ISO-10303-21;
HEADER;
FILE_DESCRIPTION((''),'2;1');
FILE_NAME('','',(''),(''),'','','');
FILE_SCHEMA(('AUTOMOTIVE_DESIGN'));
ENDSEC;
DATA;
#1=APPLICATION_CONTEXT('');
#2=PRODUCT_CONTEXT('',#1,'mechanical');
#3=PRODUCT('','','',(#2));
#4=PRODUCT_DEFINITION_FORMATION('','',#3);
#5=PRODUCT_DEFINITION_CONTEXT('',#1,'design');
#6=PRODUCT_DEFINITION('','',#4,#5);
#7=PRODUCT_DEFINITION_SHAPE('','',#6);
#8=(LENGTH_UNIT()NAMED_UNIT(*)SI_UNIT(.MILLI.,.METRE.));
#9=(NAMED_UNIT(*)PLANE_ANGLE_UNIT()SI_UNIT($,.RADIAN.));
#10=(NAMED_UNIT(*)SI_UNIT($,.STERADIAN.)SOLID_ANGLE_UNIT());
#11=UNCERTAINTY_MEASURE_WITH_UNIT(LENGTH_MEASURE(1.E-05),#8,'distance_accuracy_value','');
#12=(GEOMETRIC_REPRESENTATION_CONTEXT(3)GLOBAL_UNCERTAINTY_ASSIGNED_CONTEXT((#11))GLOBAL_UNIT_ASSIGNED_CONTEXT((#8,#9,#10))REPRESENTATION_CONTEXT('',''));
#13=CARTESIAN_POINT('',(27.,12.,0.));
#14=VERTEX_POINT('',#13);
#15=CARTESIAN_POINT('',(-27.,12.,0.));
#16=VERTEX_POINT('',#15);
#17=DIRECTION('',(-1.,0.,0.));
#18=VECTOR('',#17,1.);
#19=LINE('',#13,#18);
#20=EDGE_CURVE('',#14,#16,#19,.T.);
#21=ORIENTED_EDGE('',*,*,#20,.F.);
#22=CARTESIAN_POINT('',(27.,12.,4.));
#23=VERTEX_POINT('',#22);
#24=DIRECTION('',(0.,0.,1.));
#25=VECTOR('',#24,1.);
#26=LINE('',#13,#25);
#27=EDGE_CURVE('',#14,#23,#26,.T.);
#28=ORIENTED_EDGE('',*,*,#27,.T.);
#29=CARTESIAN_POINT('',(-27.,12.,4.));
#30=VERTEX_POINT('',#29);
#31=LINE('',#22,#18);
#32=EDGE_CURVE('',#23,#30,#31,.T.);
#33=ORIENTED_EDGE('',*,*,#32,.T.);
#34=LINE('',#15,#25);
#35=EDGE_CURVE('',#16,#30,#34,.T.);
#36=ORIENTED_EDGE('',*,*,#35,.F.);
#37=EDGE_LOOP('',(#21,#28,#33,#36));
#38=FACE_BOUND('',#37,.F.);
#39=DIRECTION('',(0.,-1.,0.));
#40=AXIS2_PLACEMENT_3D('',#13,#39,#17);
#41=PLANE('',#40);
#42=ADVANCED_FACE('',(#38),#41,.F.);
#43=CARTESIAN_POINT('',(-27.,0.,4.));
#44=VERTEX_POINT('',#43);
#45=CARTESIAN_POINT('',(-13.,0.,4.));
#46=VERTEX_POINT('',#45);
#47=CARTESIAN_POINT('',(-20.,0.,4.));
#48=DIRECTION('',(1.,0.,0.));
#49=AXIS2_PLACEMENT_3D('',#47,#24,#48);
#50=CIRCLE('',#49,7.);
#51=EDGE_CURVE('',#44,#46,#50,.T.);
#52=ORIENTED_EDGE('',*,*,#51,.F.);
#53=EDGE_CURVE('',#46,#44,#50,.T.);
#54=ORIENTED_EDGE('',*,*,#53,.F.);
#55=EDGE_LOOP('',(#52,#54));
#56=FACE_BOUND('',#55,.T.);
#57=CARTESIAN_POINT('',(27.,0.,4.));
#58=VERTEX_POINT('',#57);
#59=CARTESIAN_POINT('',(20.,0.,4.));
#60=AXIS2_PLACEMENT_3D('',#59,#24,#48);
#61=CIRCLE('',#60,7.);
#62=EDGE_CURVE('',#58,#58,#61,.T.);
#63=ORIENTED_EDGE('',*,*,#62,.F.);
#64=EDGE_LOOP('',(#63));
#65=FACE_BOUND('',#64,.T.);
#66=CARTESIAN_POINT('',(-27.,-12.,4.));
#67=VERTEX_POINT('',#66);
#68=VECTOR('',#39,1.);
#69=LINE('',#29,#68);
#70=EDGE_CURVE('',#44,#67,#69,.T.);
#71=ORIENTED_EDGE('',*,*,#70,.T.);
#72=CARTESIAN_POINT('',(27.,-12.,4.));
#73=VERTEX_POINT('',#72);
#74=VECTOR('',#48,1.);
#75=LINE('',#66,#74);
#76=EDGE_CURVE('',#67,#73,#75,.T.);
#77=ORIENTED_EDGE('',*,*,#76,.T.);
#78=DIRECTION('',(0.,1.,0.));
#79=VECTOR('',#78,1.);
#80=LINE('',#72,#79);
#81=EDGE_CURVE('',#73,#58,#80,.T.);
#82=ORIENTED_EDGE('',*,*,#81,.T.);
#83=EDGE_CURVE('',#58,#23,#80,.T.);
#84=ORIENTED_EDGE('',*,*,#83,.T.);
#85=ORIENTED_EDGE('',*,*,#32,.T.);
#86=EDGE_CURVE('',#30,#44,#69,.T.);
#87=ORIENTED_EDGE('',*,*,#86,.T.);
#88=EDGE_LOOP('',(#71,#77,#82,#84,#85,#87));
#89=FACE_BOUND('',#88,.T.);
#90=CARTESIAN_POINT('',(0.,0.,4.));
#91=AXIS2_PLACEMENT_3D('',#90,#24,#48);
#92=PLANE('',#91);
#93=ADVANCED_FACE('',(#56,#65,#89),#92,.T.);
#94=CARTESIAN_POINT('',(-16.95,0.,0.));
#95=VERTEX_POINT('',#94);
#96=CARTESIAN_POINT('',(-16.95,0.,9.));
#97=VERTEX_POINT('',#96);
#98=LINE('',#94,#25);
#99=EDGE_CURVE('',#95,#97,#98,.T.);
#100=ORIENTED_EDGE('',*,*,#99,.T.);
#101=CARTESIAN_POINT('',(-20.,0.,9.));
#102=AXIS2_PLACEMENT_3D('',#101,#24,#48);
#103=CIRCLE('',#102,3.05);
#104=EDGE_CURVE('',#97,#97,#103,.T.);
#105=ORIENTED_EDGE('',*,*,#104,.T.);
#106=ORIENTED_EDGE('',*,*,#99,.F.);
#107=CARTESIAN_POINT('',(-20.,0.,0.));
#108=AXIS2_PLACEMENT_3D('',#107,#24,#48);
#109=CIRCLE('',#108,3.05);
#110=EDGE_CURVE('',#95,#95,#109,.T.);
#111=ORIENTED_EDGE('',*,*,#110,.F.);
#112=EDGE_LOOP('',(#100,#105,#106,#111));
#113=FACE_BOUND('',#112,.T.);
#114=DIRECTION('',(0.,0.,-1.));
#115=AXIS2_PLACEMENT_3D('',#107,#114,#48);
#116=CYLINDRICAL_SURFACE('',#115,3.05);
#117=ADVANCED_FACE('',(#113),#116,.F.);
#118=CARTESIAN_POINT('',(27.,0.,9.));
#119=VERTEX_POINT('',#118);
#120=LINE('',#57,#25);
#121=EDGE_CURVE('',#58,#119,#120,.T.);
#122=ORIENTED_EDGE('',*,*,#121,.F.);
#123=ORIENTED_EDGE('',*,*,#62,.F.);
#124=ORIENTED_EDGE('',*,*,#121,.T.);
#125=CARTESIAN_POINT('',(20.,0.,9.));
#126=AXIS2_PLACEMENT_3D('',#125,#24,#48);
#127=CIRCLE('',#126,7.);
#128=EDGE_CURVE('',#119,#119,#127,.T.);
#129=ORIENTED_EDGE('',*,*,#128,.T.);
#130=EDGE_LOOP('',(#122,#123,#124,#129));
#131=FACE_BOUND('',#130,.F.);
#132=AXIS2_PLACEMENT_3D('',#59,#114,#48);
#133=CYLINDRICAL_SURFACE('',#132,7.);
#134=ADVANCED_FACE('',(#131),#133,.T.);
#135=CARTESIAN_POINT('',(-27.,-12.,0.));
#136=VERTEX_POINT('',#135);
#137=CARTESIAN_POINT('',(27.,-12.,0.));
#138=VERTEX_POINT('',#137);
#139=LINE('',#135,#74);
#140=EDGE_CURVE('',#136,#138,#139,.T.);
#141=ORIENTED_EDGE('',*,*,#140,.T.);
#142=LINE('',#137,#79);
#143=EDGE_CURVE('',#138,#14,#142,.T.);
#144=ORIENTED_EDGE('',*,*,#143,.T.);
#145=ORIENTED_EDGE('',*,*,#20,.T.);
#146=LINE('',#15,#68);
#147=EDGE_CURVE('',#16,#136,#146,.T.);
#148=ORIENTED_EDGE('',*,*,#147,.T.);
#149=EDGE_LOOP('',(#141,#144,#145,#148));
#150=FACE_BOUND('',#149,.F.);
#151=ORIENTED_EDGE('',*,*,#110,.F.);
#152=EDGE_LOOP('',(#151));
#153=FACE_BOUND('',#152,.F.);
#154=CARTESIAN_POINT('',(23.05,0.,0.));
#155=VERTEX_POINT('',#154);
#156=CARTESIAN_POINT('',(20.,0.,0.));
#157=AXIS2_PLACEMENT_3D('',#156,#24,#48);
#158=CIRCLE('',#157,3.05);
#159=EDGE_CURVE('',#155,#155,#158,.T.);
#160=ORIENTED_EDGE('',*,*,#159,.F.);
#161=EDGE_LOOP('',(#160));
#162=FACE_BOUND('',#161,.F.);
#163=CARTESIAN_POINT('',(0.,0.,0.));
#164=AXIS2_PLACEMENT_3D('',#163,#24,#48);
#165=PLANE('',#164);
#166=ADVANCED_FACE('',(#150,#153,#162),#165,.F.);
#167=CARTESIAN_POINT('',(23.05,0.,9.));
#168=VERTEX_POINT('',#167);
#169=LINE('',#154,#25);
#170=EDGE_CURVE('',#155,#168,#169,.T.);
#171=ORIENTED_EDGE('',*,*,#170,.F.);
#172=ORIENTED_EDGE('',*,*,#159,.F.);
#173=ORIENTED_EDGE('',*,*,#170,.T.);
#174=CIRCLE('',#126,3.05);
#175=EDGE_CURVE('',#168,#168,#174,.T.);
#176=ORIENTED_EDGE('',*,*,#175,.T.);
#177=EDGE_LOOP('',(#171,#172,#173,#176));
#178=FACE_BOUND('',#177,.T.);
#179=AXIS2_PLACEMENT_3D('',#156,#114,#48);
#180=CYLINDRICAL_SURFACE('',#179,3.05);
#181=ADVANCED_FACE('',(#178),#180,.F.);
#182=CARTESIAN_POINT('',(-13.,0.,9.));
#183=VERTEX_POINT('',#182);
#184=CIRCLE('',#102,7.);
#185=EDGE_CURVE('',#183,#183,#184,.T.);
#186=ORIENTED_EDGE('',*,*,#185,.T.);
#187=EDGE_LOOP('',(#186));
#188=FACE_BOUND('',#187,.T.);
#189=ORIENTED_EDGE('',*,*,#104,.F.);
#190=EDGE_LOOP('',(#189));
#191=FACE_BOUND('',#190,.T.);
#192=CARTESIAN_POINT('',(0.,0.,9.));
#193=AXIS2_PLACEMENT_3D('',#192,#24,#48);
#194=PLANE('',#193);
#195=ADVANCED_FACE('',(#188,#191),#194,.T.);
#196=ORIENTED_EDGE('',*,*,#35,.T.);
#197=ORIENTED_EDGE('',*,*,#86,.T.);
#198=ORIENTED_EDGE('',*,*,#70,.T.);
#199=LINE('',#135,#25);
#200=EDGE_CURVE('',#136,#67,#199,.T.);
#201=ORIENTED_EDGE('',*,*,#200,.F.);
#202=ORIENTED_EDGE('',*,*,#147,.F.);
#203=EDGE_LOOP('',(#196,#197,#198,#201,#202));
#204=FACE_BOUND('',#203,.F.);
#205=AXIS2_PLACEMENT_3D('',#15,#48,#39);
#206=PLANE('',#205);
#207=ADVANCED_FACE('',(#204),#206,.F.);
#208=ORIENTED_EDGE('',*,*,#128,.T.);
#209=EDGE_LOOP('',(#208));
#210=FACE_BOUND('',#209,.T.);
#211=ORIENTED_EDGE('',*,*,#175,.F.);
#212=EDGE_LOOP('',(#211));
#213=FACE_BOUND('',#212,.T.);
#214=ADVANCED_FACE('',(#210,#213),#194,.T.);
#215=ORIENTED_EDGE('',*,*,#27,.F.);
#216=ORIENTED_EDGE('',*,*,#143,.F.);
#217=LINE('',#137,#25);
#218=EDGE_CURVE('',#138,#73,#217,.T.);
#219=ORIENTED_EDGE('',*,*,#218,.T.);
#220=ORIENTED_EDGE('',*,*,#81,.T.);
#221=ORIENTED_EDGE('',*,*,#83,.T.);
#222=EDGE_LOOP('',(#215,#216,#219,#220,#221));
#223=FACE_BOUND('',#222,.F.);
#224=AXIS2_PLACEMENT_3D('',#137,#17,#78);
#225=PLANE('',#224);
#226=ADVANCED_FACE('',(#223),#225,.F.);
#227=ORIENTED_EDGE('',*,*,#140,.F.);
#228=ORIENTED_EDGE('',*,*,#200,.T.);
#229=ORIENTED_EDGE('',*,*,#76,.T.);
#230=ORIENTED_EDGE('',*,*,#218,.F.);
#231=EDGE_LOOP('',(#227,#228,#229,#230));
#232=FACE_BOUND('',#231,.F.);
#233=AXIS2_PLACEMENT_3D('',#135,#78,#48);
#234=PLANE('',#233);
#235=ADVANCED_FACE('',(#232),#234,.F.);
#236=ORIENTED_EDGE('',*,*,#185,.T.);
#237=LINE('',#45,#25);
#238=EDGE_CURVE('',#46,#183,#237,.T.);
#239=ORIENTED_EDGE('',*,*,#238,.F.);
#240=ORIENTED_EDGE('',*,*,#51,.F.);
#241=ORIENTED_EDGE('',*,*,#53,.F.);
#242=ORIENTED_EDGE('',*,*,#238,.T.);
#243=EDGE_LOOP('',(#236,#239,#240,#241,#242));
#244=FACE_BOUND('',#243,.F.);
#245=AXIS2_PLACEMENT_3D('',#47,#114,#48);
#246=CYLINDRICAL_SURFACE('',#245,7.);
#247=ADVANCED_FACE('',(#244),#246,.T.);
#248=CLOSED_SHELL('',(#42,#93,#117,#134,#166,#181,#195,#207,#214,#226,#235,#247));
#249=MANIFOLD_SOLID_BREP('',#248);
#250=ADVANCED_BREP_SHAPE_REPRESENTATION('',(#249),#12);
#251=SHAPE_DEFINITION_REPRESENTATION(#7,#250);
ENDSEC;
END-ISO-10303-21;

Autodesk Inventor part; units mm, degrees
ref_plane "YZ Plane" through (0, 0, 0) normal (1, 0, 0) x (0, 1, 0)
ref_plane "XZ Plane" through (0, 0, 0) normal (0, 1, 0) x (-1, 0, 0)
ref_plane "XY Plane" through (0, 0, 0) normal (0, 0, 1) x (1, 0, 0)
sketch "Skizze1" plane through (0, 0, 0) normal (0, 0, 1) x (1, 0, 0)
  line L0 (-27, -12) -> (27, -12)
  line L1 (27, -12) -> (27, 12)
  line L2 (27, 12) -> (-27, 12)
  line L3 (-27, 12) -> (-27, -12)
  circle A0 centre (-20, 0) radius 3.05
  circle A1 centre (20, 0) radius 3.05
  point P0 (0, 0)
  dimension "d0" = 54
  dimension "d1" = 24
  dimension "d2" = 12
  dimension "d3" = 27
  dimension "d4" = 6.1
  dimension "d5" = 20
  dimension "d6" = 12
  dimension "d7" = 20
  dimension "d8" = 6.1
  dimension "d9" = 12
extrude "Extrusion1" add sketch "Skizze1" along normal blind 4
sketch "Skizze2" plane through (0, 0, 4) normal (0, 0, 1) x (1, 0, 0)
  circle A0 centre (-20, 0) radius 3.05 projected
  circle A1 centre (20, 0) radius 3.05 projected
  circle A2 centre (-20, 0) radius 7
  circle A3 centre (-20, 0) radius 3.05
  circle A4 centre (20, 0) radius 3.05
  circle A5 centre (20, 0) radius 7
  point P0 (0, 0)
  dimension "d3" = 27
  dimension "d12" = 6.1
  dimension "d13" = 14
  dimension "d14" = 6.1
  dimension "d15" = 14
extrude "Extrusion2" add sketch "Skizze2" along normal blind 5
properties part number "B Oben"
